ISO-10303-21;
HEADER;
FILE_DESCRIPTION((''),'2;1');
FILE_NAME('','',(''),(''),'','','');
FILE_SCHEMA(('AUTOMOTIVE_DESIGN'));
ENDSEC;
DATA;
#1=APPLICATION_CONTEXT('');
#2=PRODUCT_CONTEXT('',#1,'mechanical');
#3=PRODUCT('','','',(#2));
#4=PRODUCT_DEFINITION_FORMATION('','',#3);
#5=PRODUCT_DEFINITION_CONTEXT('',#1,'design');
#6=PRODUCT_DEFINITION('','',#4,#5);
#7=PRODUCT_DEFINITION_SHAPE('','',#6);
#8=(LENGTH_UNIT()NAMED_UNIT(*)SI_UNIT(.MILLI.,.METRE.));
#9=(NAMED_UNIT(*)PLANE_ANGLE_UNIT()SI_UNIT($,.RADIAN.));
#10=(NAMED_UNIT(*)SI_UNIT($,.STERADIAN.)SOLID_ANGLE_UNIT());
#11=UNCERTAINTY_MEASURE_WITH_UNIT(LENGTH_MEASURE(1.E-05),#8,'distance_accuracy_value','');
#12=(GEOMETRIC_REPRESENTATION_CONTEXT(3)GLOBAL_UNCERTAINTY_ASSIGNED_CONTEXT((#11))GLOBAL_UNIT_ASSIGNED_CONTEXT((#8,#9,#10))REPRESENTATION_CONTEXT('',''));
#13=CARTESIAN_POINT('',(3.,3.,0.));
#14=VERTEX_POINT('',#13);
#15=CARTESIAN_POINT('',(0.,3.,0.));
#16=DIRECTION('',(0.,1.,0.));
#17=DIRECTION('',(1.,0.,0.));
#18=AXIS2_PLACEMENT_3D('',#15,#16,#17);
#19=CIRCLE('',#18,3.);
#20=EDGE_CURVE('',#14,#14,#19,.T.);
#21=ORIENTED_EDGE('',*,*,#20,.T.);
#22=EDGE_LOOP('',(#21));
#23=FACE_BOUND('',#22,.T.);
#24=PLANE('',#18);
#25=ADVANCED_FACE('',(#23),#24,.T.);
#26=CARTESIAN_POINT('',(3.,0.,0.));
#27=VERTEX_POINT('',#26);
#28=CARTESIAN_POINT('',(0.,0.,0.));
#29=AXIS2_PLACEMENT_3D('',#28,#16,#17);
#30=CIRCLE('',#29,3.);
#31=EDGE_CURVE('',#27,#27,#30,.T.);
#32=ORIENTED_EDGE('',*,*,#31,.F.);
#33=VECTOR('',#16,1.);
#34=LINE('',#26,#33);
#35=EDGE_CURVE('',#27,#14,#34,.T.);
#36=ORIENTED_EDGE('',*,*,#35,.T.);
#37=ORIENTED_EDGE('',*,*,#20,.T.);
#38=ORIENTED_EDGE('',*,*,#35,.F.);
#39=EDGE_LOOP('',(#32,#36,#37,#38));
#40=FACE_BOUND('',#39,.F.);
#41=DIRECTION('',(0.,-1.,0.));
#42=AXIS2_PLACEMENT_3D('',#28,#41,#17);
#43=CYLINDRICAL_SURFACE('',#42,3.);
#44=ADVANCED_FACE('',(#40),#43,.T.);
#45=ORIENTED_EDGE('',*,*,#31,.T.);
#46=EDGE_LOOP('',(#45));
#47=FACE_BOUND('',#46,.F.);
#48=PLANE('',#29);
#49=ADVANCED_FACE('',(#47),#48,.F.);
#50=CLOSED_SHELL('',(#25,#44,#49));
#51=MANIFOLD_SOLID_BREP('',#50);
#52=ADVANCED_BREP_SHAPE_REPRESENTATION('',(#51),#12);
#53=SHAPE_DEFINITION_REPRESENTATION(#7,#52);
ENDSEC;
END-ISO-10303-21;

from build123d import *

# Parameters (mm, degrees)
SKETCH_1_R      = 3
EXTRUDE_1_DEPTH = 3


with BuildPart() as part:
    # 草图1 → 凸台-拉伸1 (new body)
    with BuildSketch(Plane(origin=(0, 0, 0), x_dir=(1, 0, 0), z_dir=(0, 1, 0))):
        Circle(SKETCH_1_R)
    extrude(amount=EXTRUDE_1_DEPTH)


solid = part.part
